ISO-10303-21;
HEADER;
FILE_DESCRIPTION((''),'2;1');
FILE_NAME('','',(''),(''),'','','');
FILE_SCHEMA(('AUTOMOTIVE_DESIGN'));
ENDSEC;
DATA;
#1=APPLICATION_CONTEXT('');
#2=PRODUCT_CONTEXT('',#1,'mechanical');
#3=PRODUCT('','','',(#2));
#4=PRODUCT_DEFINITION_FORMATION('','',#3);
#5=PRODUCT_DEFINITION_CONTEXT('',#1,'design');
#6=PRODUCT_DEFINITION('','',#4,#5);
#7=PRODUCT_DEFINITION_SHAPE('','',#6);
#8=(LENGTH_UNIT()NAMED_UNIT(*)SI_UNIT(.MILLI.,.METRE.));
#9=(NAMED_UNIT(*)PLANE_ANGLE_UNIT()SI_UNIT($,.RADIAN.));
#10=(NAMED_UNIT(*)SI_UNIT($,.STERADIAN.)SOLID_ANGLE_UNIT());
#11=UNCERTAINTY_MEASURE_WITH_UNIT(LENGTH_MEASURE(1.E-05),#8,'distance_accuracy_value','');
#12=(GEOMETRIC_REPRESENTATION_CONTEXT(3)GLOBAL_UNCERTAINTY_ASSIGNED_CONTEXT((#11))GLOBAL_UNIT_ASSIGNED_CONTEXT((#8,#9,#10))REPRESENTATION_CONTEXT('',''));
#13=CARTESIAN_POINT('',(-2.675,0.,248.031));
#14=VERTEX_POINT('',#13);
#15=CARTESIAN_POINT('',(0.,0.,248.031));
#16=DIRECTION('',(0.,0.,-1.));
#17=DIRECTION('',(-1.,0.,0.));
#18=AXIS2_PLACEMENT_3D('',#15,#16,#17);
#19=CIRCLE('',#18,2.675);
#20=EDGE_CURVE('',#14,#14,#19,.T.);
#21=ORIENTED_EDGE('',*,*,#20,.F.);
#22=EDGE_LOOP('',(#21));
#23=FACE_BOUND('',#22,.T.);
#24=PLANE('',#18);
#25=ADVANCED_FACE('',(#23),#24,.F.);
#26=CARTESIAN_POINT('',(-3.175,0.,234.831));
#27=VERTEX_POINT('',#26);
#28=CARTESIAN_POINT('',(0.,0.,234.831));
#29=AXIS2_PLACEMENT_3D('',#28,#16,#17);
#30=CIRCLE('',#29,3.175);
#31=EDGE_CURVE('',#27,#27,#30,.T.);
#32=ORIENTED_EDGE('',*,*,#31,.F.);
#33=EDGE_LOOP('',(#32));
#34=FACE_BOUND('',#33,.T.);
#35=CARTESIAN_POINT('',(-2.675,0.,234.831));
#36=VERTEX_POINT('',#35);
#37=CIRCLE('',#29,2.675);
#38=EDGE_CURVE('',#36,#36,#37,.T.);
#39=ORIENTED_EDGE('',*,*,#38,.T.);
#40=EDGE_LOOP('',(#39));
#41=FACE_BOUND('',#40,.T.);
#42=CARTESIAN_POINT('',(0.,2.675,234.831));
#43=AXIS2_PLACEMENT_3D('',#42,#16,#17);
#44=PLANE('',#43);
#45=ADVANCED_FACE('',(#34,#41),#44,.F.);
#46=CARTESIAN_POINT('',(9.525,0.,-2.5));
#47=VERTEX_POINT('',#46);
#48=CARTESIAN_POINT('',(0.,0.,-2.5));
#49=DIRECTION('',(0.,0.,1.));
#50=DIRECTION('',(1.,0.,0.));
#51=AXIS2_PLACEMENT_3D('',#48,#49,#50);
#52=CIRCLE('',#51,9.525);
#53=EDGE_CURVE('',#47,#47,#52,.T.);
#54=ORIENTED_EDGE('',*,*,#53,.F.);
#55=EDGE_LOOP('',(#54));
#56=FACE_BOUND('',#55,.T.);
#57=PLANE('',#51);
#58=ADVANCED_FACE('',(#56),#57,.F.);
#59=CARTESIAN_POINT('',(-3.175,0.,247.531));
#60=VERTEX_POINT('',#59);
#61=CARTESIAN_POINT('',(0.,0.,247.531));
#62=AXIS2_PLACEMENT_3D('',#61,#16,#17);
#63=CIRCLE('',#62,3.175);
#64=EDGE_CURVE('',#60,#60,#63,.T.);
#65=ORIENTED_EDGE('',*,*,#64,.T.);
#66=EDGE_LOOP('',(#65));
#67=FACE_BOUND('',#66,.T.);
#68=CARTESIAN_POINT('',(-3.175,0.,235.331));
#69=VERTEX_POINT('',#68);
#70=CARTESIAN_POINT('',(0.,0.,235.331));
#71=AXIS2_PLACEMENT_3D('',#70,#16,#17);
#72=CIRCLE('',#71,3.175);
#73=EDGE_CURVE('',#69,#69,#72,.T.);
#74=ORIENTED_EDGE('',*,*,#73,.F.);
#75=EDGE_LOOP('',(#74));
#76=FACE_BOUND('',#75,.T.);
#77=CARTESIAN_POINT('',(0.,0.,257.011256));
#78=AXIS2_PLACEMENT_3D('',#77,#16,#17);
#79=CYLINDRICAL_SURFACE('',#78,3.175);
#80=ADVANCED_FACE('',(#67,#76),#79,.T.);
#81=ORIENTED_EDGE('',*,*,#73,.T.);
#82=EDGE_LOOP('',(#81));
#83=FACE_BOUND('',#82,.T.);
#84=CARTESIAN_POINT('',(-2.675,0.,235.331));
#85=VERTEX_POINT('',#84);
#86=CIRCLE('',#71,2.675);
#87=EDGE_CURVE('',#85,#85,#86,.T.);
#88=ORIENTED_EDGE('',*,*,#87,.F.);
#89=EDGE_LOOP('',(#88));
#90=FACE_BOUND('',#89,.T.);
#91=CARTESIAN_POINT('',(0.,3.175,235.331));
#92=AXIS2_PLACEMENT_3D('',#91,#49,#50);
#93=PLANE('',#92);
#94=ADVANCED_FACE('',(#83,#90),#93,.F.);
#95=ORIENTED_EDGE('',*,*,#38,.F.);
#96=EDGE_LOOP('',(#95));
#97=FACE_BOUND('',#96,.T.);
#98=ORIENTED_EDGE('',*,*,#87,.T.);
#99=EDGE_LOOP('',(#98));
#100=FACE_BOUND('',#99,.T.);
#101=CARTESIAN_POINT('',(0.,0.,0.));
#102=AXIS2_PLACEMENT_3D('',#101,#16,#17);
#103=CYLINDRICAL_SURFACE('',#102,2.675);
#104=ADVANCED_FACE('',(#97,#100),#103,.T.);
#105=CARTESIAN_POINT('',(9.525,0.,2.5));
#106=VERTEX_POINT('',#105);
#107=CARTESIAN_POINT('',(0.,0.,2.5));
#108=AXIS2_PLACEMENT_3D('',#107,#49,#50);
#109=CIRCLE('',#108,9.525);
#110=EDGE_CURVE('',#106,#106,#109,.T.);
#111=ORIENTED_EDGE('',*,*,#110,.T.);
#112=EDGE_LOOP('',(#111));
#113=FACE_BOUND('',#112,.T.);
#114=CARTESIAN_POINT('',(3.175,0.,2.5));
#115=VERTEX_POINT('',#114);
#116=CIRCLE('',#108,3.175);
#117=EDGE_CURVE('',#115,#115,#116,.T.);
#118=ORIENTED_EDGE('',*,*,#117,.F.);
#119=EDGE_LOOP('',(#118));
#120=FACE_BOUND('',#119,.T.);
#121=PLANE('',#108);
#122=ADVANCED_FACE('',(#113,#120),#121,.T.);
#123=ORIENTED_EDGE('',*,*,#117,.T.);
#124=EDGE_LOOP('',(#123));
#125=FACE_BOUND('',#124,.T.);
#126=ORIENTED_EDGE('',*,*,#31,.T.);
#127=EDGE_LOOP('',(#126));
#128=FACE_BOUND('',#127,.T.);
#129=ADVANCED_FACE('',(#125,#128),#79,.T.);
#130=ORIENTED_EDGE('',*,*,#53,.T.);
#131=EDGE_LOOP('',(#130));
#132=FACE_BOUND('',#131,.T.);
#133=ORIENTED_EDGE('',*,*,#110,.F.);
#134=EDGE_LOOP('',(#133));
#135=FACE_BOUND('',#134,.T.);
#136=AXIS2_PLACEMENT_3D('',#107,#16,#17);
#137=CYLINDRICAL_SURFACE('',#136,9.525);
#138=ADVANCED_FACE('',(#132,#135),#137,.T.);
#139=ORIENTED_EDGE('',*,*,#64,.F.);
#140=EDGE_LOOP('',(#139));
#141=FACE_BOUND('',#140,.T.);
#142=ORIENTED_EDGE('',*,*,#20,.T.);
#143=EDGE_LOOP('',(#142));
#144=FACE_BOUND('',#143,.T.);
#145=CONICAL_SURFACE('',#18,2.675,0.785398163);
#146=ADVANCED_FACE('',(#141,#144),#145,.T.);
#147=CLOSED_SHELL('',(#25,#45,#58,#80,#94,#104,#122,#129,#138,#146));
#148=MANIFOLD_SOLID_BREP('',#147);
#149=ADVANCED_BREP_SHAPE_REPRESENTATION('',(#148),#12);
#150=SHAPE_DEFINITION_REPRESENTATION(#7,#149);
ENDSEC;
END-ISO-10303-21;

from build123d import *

# Parameters (mm, degrees)
SKETCH1_R      = 3.175
EXTRUDE1_DEPTH = 248.031
SKETCH2_R      = 9.525
PISTON_DEPTH   = 2.5


with BuildPart() as part:
    # Sketch1 → Extrude1 (new body)
    with BuildSketch(Plane.XY):
        with Locations(Location((0, 0, 0), (0, 0, 180))):
            Circle(SKETCH1_R)
    extrude(amount=EXTRUDE1_DEPTH)

    # Sketch2 → Piston (add, symmetric)
    with BuildSketch(Plane.XY):
        Circle(SKETCH2_R)
    extrude(amount=PISTON_DEPTH, both=True)

    # Sketch3 → Threads (revolve, cut)
    with BuildSketch(Plane(origin=(0, 0, 0), x_dir=(0, 0, -1), z_dir=(1, 0, 0)), mode=Mode.PRIVATE) as threads_sk:
        Polygon((-248.031, 9.525), (-234.831, 9.525), (-234.831, 2.675), (-235.331, 2.675), (-235.331, 3.175), (-247.531, 3.175), (-248.031, 2.675), align=None)
    revolve(threads_sk.sketch.rotate(Axis((0, 0, 0), (0, 0, 1)), 90), axis=Axis((0, 0, 0), (0, 0, 1)), mode=Mode.SUBTRACT)


solid = part.part
